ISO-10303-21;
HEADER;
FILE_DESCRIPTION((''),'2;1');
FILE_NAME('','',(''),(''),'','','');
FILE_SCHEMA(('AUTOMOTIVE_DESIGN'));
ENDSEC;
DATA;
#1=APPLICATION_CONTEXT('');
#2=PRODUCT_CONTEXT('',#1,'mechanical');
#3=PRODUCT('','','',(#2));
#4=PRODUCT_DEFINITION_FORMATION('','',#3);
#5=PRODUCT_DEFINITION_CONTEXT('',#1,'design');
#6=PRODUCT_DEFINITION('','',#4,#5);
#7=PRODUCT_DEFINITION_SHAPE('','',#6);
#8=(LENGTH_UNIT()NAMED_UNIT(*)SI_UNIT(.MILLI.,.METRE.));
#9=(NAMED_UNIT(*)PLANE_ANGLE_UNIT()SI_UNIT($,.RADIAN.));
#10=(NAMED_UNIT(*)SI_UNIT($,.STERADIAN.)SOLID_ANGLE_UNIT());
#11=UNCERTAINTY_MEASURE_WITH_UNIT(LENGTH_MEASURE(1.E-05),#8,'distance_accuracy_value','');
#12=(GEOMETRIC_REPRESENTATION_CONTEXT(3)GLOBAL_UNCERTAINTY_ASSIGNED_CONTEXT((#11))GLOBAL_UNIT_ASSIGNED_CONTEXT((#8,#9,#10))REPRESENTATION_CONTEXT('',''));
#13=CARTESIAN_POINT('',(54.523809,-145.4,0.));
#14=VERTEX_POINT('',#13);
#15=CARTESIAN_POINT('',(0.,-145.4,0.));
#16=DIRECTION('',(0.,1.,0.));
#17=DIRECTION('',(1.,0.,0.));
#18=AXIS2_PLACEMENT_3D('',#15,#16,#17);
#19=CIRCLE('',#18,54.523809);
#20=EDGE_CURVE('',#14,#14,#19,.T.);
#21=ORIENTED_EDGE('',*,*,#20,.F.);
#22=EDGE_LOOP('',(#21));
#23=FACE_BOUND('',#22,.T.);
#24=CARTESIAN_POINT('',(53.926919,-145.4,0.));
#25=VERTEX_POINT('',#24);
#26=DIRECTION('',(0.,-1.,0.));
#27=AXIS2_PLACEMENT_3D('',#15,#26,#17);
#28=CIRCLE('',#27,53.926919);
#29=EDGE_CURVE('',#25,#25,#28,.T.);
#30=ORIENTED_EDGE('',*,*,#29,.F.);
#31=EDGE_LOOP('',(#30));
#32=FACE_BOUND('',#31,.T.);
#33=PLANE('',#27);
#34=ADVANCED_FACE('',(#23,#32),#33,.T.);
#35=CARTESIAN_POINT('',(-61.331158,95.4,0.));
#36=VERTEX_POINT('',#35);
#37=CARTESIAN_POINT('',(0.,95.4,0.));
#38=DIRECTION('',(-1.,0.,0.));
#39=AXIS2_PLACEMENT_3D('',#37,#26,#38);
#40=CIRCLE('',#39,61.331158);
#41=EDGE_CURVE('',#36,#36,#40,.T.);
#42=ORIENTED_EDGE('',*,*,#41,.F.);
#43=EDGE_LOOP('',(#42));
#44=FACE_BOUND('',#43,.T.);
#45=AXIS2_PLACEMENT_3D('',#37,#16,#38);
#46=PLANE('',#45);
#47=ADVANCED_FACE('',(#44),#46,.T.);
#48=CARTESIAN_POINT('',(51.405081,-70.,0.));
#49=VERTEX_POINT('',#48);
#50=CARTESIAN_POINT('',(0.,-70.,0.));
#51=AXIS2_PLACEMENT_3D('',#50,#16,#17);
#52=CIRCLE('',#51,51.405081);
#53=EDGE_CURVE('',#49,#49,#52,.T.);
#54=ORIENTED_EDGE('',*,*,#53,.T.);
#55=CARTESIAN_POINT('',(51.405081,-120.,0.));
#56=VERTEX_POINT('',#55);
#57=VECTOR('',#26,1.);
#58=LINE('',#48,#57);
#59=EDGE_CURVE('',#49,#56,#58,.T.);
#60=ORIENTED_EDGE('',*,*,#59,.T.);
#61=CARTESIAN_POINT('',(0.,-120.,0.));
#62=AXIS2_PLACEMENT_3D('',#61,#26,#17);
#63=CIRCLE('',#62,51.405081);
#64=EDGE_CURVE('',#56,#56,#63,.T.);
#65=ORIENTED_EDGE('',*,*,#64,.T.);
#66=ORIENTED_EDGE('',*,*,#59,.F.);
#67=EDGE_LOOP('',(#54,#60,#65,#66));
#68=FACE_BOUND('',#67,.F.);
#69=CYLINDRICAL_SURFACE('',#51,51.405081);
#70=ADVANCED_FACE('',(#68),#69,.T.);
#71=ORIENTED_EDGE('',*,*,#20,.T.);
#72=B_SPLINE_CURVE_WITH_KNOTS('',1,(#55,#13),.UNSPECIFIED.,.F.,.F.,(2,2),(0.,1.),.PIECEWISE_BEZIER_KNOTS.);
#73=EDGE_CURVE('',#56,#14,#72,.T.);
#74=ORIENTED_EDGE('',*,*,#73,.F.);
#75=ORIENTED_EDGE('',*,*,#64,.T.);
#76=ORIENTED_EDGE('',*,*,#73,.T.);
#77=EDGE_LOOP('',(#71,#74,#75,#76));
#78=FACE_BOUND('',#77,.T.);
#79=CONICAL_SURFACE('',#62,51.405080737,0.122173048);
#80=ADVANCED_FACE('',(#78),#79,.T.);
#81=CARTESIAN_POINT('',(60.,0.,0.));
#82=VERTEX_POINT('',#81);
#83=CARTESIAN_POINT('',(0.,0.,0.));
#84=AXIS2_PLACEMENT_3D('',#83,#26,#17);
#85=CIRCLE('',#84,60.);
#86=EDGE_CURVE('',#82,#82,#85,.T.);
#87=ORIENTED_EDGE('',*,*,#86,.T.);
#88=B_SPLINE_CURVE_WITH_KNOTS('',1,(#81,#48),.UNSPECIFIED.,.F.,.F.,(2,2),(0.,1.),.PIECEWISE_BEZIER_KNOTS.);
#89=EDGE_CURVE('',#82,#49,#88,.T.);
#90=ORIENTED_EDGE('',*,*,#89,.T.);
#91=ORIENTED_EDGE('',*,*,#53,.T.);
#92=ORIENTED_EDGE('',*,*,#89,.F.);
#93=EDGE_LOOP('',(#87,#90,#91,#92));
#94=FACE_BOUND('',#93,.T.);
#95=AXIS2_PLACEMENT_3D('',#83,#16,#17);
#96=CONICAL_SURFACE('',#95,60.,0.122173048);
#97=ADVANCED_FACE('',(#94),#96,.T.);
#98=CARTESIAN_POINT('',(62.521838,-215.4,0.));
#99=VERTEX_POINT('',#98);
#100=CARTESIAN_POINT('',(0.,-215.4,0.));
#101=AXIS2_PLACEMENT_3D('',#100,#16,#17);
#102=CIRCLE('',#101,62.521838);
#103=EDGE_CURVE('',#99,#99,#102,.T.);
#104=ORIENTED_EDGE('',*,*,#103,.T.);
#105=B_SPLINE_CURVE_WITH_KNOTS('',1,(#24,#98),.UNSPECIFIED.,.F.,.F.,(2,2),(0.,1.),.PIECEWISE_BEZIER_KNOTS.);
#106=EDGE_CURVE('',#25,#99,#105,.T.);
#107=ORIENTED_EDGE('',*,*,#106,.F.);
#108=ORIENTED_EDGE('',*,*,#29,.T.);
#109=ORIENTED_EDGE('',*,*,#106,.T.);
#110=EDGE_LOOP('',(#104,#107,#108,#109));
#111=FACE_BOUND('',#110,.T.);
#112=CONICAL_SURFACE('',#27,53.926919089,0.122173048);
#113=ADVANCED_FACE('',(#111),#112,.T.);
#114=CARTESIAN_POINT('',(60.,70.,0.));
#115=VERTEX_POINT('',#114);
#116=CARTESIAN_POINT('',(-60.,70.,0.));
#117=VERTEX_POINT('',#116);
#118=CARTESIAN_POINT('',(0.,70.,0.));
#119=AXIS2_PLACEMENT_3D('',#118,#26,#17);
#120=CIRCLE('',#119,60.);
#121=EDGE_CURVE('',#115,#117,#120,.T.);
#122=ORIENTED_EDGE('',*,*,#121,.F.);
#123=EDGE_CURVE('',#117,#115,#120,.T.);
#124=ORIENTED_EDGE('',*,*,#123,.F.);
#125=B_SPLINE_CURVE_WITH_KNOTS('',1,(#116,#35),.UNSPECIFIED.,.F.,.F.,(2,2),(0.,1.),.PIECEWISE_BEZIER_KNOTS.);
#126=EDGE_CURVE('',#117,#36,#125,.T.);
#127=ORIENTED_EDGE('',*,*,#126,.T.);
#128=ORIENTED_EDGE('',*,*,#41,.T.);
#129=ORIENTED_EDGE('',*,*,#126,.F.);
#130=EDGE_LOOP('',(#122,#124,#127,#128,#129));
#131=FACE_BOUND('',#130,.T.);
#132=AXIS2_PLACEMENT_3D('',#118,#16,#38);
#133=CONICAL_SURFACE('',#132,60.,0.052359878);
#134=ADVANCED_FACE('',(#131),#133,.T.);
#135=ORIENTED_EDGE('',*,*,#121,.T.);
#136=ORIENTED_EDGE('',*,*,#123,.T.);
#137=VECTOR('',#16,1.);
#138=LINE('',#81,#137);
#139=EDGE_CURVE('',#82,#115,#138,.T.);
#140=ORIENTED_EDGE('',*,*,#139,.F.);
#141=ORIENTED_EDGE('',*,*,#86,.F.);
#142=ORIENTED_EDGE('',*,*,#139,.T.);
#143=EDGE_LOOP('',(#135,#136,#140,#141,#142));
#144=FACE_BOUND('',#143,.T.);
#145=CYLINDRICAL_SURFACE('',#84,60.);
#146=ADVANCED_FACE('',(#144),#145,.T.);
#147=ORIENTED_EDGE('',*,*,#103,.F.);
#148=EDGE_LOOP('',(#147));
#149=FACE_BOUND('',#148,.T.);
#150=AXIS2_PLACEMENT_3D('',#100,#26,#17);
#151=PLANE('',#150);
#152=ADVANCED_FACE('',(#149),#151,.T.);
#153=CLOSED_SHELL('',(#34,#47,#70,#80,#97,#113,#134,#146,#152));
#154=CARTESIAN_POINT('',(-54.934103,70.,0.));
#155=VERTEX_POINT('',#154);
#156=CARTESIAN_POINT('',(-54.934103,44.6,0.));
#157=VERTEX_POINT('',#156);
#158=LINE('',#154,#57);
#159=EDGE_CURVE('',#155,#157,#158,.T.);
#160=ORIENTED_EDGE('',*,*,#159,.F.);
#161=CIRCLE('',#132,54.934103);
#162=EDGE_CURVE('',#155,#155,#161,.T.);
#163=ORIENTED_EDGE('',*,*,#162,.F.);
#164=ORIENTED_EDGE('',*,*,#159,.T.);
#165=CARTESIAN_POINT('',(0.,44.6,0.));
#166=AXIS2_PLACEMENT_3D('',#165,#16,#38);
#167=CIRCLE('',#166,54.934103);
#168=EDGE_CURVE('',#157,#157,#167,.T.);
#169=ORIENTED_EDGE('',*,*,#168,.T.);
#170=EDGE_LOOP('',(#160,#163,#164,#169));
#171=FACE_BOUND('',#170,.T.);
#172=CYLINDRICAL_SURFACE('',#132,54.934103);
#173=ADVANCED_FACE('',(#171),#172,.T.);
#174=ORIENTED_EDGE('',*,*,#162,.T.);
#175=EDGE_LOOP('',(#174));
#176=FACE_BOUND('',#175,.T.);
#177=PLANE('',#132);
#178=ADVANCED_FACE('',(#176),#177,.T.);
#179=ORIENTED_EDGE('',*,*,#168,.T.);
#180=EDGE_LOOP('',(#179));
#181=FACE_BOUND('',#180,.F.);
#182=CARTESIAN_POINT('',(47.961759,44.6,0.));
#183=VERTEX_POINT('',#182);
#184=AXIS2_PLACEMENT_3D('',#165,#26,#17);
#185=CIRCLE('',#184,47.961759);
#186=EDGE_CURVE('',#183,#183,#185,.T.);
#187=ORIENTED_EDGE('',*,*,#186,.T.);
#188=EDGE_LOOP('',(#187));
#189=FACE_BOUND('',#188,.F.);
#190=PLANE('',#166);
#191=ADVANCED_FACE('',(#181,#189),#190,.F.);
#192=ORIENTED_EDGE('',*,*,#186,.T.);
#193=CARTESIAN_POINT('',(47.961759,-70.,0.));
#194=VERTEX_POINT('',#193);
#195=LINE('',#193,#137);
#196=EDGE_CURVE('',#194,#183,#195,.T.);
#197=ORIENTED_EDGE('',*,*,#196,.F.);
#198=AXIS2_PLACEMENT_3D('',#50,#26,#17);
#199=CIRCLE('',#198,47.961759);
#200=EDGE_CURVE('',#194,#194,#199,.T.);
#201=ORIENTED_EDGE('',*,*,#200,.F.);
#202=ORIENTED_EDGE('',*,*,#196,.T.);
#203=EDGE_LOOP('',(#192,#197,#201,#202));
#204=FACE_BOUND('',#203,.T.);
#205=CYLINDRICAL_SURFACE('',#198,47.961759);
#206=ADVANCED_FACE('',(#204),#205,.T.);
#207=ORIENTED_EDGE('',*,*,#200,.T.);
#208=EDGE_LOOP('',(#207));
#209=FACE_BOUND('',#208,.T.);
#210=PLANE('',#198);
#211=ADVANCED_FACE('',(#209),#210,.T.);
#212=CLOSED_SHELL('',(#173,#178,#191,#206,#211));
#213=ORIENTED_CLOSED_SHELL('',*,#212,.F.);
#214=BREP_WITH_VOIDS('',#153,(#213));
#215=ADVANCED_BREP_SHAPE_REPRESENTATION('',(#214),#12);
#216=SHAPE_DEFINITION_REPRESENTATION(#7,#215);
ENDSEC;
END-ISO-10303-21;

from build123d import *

# Parameters (mm, degrees)
F0_R      = 60
F1_DEPTH  = 70
F2_R      = 60
F3_DEPTH  = 70
F3_TAPER  = 7
F5_R      = 54.9341030365
F6_DEPTH  = 25.4
F7_R      = 47.9617586767
F8_DEPTH  = 205.994
F4_R      = 51.4050807368
F12_DEPTH = 50
F13_R     = 51.4050807368
F14_DEPTH = 25.4
F14_TAPER = -7
F15_R     = 53.9269190887
F16_DEPTH = 70
F16_TAPER = -7
F11_R     = 60
F17_DEPTH = 25.4
F17_TAPER = -3


with BuildPart() as f1:
    # F0 (on Front) → F1 (new body)
    with BuildSketch(Plane.XZ):
        Circle(F0_R)
    extrude(amount=-F1_DEPTH)

    # F2 (on face) → F3 (join)
    with BuildSketch(Plane.XZ):
        Circle(F2_R)
    extrude(amount=F3_DEPTH, taper=F3_TAPER)

    # F5 (on face) → F6 (cut)
    with BuildSketch(Plane(origin=(0, 70, 0), x_dir=(-1, 0, 0), z_dir=(0, 1, 0))):
        Circle(F5_R)
    extrude(amount=-F6_DEPTH, mode=Mode.SUBTRACT)

    # F7 (on face) → F8 (cut)
    with BuildSketch(Plane.XZ.offset(70)):
        Circle(F7_R)
    extrude(amount=-F8_DEPTH, mode=Mode.SUBTRACT)

    # F4 (on face) → F12 (join)
    with BuildSketch(Plane.XZ.offset(70)):
        Circle(F4_R)
    extrude(amount=F12_DEPTH)

    # F13 (on face) → F14 (join)
    with BuildSketch(Plane.XZ.offset(120)):
        Circle(F13_R)
    extrude(amount=F14_DEPTH, taper=F14_TAPER)

    # F15 (on face) → F16 (join)
    with BuildSketch(Plane.XZ.offset(145.4)):
        Circle(F15_R)
    extrude(amount=F16_DEPTH, taper=F16_TAPER)

    # F11 (on face) → F17 (join)
    with BuildSketch(Plane(origin=(0, 70, 0), x_dir=(-1, 0, 0), z_dir=(0, 1, 0))):
        Circle(F11_R)
    extrude(amount=F17_DEPTH, taper=F17_TAPER)


solid = f1.part
